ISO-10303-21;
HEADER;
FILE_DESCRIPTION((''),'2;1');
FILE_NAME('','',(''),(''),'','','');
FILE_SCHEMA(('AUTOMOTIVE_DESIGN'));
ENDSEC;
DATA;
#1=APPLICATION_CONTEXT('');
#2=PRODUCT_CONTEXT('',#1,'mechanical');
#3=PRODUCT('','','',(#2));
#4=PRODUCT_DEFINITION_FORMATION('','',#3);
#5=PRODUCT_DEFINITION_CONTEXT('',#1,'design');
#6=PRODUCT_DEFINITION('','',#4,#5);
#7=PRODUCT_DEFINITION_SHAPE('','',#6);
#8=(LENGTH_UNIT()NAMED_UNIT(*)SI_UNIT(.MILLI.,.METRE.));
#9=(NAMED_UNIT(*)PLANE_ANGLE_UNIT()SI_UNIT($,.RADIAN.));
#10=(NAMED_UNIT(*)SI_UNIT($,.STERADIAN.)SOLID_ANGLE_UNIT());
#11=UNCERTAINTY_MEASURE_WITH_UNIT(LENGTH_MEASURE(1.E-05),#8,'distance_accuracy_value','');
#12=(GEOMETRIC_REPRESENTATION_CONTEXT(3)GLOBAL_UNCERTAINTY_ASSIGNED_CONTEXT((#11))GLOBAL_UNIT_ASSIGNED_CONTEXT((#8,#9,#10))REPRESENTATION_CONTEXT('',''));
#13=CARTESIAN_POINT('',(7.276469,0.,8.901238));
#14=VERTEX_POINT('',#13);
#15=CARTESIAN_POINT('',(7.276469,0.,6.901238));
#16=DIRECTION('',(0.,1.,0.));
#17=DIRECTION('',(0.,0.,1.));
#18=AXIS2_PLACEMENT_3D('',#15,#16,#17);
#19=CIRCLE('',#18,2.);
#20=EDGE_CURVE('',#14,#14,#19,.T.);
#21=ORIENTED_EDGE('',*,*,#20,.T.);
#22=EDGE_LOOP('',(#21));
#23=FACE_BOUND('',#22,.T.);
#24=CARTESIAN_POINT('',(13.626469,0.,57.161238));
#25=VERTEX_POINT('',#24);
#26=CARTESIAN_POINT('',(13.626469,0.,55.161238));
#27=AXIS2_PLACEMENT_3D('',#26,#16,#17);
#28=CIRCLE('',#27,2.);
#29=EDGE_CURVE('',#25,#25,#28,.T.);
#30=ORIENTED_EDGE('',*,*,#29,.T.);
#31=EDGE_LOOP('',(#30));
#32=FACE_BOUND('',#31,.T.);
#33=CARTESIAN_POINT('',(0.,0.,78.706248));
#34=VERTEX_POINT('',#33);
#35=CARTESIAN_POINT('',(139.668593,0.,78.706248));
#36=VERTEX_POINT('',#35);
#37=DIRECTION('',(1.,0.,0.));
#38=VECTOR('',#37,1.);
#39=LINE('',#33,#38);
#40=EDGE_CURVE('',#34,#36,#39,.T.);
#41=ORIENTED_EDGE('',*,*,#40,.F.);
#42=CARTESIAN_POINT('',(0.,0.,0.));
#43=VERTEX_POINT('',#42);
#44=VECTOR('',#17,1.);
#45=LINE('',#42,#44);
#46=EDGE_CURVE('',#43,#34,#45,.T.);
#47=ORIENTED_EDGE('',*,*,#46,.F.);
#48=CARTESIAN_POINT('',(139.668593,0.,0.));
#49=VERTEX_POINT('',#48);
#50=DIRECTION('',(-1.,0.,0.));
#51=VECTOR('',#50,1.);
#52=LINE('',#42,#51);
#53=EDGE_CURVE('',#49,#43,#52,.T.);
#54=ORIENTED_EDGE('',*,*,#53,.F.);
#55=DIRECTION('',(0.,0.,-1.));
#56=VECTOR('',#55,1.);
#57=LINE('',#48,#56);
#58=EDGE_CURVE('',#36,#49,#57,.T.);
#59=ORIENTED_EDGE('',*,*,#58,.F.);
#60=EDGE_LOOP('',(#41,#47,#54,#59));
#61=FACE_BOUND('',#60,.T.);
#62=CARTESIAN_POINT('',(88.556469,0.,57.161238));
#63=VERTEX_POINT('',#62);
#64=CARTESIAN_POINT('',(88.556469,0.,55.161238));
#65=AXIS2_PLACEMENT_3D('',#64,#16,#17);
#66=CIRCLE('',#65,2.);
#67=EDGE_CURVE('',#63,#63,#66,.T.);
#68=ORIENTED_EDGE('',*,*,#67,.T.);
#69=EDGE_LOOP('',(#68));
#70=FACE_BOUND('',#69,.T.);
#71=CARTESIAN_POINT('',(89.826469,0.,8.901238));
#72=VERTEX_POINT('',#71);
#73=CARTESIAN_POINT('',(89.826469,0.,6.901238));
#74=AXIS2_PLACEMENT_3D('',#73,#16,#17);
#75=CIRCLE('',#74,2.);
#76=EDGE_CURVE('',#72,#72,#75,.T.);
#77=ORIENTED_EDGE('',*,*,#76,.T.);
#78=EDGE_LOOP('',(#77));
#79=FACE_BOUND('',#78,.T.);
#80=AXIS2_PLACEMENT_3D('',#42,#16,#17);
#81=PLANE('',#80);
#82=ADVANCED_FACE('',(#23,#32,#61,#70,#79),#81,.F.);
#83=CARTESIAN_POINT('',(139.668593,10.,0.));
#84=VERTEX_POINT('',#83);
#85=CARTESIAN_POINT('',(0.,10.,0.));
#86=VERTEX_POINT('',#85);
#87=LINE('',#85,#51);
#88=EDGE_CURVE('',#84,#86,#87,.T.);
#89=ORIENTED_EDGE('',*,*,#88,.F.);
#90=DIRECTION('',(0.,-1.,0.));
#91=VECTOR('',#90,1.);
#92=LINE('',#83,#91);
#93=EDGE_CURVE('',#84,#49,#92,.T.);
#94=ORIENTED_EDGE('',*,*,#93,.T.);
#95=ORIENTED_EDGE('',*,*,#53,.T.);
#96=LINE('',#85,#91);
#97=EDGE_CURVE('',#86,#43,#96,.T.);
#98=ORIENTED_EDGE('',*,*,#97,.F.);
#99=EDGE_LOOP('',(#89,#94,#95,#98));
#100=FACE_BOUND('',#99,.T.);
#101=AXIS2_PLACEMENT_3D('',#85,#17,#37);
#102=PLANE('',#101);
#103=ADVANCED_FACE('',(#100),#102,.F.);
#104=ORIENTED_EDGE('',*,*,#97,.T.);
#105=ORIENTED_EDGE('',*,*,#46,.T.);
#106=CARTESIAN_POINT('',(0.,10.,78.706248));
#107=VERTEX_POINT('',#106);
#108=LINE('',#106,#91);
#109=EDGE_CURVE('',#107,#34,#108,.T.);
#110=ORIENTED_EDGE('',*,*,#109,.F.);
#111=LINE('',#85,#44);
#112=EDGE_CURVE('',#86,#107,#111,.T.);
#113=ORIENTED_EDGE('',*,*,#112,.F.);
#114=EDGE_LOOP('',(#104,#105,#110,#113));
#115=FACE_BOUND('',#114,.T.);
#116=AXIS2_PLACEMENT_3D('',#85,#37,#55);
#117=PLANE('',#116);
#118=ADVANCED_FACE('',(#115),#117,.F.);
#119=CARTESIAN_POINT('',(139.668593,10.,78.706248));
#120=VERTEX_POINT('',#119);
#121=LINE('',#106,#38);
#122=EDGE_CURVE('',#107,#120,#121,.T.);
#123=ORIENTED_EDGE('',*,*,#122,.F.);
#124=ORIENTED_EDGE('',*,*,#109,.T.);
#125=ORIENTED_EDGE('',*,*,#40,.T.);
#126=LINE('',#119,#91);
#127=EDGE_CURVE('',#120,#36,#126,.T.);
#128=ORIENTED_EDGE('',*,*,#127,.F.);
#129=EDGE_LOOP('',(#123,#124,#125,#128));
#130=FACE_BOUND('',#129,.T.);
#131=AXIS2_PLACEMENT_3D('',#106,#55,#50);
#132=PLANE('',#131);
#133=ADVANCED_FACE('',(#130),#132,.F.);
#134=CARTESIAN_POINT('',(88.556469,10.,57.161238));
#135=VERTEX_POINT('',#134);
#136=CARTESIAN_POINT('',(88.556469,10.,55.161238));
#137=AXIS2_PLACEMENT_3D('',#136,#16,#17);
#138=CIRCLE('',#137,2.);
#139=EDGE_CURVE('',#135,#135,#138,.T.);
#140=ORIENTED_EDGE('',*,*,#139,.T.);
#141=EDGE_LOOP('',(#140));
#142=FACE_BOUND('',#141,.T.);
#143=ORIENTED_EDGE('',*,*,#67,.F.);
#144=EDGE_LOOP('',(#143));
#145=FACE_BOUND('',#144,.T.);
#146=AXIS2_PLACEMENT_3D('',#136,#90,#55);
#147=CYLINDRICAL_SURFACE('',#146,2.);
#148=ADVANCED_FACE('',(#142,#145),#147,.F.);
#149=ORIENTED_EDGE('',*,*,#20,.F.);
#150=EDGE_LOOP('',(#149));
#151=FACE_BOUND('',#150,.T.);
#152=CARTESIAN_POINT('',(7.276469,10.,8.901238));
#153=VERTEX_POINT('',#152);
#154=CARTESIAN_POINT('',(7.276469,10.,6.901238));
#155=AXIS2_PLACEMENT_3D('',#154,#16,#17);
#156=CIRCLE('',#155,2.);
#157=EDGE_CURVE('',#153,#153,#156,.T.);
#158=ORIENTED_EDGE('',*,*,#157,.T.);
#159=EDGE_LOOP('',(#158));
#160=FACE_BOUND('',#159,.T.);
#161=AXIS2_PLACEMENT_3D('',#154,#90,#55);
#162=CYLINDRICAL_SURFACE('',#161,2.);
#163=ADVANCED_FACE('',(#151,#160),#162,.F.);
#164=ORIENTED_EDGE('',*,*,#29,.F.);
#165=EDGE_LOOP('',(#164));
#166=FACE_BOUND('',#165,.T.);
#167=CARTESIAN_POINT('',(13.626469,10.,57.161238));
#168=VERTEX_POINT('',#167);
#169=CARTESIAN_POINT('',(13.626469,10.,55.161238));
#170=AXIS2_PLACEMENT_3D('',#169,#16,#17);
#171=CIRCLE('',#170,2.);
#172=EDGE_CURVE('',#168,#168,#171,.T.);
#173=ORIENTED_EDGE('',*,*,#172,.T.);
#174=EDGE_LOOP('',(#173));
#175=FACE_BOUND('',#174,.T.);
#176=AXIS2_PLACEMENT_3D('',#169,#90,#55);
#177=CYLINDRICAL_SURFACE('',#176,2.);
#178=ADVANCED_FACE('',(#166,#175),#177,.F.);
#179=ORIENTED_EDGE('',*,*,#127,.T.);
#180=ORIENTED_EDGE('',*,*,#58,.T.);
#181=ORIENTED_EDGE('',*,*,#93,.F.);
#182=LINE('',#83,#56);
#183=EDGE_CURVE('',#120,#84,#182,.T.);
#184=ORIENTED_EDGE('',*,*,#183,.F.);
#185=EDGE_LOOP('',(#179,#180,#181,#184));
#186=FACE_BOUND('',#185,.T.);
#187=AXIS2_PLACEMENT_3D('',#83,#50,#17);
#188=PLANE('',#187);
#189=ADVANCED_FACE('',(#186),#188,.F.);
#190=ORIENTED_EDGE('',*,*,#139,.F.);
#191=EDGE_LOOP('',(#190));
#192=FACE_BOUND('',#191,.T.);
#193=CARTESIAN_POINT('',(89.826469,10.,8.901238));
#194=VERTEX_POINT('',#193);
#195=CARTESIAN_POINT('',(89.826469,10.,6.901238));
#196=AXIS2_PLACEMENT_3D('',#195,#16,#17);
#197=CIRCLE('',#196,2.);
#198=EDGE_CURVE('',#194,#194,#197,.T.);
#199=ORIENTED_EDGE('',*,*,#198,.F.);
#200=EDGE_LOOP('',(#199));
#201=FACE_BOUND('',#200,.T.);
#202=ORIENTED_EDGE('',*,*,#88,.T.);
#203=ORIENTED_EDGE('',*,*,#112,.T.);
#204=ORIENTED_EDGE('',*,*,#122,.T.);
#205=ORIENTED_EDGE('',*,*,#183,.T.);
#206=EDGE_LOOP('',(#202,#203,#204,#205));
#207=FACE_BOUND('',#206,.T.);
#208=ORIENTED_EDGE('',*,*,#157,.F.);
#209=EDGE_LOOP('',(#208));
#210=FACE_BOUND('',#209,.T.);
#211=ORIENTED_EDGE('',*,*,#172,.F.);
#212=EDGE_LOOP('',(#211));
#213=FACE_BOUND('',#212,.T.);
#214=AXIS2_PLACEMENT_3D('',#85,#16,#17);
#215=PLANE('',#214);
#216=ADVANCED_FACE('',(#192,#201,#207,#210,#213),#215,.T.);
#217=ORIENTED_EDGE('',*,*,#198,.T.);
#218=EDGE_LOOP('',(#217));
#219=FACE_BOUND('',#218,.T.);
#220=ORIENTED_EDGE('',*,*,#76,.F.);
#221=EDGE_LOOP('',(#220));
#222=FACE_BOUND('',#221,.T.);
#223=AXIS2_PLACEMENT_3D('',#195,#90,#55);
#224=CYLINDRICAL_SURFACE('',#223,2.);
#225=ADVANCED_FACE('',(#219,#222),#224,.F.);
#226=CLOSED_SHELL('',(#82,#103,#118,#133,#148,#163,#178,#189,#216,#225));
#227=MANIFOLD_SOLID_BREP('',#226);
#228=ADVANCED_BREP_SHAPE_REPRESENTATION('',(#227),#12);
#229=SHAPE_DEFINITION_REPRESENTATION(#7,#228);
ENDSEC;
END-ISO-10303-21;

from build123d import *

# Parameters (mm, degrees)
SKETCH1_W           = 139.668592666
SKETCH1_H           = 78.706248418
BOSS_EXTRUDE1_DEPTH = 10
SKETCH2_R           = 2
CUT_EXTRUDE1_DEPTH  = 161.629976398


with BuildPart() as part:
    # Sketch1 → Boss-Extrude1 (new body)
    with BuildSketch(Plane(origin=(0, 0, 0), x_dir=(1, 0, 0), z_dir=(0, 1, 0))):
        with Locations((69.834296333, -39.353124209)):
            Rectangle(SKETCH1_W, SKETCH1_H)
    extrude(amount=BOSS_EXTRUDE1_DEPTH)

    # Sketch2 → Cut-Extrude1 (cut, through all)
    with BuildSketch(Plane(origin=(0, 0, 0), x_dir=(1, 0, 0), z_dir=(0, 1, 0))):
        with Locations(Location((88.556468701, -55.161238165, 0), (0, 0, 270))):
            Circle(SKETCH2_R)
        with Locations(Location((89.826468701, -6.901238165, 0), (0, 0, 270))):
            Circle(SKETCH2_R)
        with Locations(Location((13.626468701, -55.161238165, 0), (0, 0, 270))):
            Circle(SKETCH2_R)
        with Locations(Location((7.276468701, -6.901238165, 0), (0, 0, 270))):
            Circle(SKETCH2_R)
    extrude(amount=CUT_EXTRUDE1_DEPTH, mode=Mode.SUBTRACT)


solid = part.part
